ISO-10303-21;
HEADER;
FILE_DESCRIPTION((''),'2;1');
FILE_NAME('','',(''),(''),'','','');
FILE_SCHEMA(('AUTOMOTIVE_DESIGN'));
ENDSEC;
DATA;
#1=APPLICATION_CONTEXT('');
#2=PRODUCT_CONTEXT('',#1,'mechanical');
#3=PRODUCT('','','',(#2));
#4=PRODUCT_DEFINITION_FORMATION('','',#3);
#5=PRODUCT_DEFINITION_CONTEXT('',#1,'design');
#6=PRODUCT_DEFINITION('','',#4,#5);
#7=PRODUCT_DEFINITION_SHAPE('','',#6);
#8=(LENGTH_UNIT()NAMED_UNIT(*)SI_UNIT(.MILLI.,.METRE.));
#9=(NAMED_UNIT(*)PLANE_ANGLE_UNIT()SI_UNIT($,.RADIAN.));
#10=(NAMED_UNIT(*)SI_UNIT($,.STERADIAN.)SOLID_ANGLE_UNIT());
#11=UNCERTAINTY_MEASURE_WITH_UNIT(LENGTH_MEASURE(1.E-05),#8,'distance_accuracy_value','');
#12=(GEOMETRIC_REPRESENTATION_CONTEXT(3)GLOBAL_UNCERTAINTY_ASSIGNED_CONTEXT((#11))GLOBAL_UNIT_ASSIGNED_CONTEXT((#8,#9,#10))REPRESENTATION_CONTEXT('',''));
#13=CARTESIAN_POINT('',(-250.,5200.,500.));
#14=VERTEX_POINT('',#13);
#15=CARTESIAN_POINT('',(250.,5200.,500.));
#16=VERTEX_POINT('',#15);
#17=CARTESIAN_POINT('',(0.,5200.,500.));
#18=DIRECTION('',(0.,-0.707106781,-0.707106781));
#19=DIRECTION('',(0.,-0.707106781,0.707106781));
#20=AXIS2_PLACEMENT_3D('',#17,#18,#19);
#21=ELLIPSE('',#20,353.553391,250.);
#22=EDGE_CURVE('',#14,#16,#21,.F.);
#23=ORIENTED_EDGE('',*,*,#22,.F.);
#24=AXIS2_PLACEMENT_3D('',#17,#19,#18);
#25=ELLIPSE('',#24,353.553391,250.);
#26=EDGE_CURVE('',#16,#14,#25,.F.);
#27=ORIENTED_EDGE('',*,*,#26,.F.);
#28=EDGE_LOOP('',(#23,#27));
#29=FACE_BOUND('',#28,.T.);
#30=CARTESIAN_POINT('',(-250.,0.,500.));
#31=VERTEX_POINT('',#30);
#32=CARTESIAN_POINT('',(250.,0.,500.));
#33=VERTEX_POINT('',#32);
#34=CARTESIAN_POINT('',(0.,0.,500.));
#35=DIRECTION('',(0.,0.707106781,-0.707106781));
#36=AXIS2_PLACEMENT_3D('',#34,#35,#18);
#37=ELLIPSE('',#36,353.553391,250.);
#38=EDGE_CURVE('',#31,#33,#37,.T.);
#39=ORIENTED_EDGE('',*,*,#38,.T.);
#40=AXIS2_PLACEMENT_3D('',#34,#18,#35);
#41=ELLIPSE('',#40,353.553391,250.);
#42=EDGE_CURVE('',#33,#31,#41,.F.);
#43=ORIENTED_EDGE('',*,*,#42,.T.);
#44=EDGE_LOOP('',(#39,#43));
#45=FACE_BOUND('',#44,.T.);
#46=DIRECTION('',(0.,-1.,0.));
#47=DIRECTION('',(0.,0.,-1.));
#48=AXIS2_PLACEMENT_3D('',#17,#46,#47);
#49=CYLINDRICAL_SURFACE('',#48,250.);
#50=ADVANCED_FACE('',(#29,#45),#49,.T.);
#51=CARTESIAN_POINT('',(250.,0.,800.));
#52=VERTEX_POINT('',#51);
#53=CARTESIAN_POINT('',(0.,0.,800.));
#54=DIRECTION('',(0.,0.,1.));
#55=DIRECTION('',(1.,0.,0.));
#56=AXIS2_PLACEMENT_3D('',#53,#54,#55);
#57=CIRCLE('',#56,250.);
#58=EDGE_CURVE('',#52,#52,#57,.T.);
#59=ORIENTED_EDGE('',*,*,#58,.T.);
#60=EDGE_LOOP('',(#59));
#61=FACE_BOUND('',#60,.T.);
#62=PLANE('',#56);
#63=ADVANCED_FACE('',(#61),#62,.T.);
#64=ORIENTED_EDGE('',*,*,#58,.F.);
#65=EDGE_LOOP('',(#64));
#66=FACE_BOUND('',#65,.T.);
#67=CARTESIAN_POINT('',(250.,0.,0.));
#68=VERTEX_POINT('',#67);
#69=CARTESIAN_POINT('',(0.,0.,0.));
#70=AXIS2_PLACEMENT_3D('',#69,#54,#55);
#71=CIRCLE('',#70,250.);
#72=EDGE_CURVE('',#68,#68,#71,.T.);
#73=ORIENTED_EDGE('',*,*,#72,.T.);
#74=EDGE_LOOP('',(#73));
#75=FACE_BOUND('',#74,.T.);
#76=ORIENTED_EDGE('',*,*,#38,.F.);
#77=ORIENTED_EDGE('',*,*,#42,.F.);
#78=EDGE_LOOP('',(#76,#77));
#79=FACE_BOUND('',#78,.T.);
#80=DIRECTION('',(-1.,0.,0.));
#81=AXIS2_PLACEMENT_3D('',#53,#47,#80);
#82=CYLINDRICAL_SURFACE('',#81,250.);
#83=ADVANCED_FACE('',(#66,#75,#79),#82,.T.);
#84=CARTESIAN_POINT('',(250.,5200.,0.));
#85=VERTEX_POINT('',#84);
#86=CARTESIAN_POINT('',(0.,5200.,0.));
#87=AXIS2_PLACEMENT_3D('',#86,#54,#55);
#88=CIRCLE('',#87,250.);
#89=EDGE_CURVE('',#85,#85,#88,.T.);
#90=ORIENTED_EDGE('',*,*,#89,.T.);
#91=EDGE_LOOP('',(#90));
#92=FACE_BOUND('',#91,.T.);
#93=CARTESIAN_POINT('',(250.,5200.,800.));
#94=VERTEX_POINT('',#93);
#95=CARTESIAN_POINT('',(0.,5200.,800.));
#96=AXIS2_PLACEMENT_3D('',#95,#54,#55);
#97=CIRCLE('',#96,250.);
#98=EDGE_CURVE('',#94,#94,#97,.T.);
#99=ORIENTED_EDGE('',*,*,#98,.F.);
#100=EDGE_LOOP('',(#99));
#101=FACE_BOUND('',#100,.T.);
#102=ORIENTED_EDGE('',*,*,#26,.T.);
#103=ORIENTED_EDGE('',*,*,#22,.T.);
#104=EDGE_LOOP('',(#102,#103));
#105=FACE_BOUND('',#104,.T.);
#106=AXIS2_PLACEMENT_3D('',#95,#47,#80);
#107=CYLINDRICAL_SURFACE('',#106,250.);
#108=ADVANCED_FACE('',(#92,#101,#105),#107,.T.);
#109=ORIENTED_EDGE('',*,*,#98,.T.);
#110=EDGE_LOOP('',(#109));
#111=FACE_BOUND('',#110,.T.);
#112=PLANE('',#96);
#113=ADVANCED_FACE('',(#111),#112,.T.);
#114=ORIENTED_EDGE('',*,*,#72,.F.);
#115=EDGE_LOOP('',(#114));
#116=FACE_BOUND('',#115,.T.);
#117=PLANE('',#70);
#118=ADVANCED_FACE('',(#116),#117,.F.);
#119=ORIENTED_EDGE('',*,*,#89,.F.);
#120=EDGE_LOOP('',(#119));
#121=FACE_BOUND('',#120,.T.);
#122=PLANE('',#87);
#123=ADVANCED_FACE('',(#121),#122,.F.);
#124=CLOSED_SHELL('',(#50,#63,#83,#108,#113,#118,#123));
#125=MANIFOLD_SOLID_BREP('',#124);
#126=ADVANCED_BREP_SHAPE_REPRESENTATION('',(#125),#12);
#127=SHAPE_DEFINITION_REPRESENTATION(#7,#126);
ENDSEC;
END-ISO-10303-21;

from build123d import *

# Parameters (mm, degrees)
SKETCH_1_R             = 250
EXTRUDE_1_DEPTH        = 800
SKETCH_2_R             = 250
EXTRUDE_2_DEPTH        = 5200
PATTERN_LINEAR_1_COUNT = 2
PATTERN_LINEAR_1_PITCH = 5200


with BuildPart() as part:
    # 草图1 → 凸台-拉伸1 (new body)
    with BuildSketch(Plane.XY):
        Circle(SKETCH_1_R)
    extrude_1 = extrude(amount=EXTRUDE_1_DEPTH)

    # 草图2 → 凸台-拉伸2 (add)
    with BuildSketch(Plane(origin=(0, 0, 0), x_dir=(1, 0, 0), z_dir=(0, 1, 0))):
        with Locations((0, -500)):
            Circle(SKETCH_2_R)
    extrude(amount=EXTRUDE_2_DEPTH)

    # 阵列(线性)1: 凸台-拉伸1 ×2
    with Locations(*[(0, i * PATTERN_LINEAR_1_PITCH, 0) for i in range(1, PATTERN_LINEAR_1_COUNT)]):
        add(extrude_1)


solid = part.part
